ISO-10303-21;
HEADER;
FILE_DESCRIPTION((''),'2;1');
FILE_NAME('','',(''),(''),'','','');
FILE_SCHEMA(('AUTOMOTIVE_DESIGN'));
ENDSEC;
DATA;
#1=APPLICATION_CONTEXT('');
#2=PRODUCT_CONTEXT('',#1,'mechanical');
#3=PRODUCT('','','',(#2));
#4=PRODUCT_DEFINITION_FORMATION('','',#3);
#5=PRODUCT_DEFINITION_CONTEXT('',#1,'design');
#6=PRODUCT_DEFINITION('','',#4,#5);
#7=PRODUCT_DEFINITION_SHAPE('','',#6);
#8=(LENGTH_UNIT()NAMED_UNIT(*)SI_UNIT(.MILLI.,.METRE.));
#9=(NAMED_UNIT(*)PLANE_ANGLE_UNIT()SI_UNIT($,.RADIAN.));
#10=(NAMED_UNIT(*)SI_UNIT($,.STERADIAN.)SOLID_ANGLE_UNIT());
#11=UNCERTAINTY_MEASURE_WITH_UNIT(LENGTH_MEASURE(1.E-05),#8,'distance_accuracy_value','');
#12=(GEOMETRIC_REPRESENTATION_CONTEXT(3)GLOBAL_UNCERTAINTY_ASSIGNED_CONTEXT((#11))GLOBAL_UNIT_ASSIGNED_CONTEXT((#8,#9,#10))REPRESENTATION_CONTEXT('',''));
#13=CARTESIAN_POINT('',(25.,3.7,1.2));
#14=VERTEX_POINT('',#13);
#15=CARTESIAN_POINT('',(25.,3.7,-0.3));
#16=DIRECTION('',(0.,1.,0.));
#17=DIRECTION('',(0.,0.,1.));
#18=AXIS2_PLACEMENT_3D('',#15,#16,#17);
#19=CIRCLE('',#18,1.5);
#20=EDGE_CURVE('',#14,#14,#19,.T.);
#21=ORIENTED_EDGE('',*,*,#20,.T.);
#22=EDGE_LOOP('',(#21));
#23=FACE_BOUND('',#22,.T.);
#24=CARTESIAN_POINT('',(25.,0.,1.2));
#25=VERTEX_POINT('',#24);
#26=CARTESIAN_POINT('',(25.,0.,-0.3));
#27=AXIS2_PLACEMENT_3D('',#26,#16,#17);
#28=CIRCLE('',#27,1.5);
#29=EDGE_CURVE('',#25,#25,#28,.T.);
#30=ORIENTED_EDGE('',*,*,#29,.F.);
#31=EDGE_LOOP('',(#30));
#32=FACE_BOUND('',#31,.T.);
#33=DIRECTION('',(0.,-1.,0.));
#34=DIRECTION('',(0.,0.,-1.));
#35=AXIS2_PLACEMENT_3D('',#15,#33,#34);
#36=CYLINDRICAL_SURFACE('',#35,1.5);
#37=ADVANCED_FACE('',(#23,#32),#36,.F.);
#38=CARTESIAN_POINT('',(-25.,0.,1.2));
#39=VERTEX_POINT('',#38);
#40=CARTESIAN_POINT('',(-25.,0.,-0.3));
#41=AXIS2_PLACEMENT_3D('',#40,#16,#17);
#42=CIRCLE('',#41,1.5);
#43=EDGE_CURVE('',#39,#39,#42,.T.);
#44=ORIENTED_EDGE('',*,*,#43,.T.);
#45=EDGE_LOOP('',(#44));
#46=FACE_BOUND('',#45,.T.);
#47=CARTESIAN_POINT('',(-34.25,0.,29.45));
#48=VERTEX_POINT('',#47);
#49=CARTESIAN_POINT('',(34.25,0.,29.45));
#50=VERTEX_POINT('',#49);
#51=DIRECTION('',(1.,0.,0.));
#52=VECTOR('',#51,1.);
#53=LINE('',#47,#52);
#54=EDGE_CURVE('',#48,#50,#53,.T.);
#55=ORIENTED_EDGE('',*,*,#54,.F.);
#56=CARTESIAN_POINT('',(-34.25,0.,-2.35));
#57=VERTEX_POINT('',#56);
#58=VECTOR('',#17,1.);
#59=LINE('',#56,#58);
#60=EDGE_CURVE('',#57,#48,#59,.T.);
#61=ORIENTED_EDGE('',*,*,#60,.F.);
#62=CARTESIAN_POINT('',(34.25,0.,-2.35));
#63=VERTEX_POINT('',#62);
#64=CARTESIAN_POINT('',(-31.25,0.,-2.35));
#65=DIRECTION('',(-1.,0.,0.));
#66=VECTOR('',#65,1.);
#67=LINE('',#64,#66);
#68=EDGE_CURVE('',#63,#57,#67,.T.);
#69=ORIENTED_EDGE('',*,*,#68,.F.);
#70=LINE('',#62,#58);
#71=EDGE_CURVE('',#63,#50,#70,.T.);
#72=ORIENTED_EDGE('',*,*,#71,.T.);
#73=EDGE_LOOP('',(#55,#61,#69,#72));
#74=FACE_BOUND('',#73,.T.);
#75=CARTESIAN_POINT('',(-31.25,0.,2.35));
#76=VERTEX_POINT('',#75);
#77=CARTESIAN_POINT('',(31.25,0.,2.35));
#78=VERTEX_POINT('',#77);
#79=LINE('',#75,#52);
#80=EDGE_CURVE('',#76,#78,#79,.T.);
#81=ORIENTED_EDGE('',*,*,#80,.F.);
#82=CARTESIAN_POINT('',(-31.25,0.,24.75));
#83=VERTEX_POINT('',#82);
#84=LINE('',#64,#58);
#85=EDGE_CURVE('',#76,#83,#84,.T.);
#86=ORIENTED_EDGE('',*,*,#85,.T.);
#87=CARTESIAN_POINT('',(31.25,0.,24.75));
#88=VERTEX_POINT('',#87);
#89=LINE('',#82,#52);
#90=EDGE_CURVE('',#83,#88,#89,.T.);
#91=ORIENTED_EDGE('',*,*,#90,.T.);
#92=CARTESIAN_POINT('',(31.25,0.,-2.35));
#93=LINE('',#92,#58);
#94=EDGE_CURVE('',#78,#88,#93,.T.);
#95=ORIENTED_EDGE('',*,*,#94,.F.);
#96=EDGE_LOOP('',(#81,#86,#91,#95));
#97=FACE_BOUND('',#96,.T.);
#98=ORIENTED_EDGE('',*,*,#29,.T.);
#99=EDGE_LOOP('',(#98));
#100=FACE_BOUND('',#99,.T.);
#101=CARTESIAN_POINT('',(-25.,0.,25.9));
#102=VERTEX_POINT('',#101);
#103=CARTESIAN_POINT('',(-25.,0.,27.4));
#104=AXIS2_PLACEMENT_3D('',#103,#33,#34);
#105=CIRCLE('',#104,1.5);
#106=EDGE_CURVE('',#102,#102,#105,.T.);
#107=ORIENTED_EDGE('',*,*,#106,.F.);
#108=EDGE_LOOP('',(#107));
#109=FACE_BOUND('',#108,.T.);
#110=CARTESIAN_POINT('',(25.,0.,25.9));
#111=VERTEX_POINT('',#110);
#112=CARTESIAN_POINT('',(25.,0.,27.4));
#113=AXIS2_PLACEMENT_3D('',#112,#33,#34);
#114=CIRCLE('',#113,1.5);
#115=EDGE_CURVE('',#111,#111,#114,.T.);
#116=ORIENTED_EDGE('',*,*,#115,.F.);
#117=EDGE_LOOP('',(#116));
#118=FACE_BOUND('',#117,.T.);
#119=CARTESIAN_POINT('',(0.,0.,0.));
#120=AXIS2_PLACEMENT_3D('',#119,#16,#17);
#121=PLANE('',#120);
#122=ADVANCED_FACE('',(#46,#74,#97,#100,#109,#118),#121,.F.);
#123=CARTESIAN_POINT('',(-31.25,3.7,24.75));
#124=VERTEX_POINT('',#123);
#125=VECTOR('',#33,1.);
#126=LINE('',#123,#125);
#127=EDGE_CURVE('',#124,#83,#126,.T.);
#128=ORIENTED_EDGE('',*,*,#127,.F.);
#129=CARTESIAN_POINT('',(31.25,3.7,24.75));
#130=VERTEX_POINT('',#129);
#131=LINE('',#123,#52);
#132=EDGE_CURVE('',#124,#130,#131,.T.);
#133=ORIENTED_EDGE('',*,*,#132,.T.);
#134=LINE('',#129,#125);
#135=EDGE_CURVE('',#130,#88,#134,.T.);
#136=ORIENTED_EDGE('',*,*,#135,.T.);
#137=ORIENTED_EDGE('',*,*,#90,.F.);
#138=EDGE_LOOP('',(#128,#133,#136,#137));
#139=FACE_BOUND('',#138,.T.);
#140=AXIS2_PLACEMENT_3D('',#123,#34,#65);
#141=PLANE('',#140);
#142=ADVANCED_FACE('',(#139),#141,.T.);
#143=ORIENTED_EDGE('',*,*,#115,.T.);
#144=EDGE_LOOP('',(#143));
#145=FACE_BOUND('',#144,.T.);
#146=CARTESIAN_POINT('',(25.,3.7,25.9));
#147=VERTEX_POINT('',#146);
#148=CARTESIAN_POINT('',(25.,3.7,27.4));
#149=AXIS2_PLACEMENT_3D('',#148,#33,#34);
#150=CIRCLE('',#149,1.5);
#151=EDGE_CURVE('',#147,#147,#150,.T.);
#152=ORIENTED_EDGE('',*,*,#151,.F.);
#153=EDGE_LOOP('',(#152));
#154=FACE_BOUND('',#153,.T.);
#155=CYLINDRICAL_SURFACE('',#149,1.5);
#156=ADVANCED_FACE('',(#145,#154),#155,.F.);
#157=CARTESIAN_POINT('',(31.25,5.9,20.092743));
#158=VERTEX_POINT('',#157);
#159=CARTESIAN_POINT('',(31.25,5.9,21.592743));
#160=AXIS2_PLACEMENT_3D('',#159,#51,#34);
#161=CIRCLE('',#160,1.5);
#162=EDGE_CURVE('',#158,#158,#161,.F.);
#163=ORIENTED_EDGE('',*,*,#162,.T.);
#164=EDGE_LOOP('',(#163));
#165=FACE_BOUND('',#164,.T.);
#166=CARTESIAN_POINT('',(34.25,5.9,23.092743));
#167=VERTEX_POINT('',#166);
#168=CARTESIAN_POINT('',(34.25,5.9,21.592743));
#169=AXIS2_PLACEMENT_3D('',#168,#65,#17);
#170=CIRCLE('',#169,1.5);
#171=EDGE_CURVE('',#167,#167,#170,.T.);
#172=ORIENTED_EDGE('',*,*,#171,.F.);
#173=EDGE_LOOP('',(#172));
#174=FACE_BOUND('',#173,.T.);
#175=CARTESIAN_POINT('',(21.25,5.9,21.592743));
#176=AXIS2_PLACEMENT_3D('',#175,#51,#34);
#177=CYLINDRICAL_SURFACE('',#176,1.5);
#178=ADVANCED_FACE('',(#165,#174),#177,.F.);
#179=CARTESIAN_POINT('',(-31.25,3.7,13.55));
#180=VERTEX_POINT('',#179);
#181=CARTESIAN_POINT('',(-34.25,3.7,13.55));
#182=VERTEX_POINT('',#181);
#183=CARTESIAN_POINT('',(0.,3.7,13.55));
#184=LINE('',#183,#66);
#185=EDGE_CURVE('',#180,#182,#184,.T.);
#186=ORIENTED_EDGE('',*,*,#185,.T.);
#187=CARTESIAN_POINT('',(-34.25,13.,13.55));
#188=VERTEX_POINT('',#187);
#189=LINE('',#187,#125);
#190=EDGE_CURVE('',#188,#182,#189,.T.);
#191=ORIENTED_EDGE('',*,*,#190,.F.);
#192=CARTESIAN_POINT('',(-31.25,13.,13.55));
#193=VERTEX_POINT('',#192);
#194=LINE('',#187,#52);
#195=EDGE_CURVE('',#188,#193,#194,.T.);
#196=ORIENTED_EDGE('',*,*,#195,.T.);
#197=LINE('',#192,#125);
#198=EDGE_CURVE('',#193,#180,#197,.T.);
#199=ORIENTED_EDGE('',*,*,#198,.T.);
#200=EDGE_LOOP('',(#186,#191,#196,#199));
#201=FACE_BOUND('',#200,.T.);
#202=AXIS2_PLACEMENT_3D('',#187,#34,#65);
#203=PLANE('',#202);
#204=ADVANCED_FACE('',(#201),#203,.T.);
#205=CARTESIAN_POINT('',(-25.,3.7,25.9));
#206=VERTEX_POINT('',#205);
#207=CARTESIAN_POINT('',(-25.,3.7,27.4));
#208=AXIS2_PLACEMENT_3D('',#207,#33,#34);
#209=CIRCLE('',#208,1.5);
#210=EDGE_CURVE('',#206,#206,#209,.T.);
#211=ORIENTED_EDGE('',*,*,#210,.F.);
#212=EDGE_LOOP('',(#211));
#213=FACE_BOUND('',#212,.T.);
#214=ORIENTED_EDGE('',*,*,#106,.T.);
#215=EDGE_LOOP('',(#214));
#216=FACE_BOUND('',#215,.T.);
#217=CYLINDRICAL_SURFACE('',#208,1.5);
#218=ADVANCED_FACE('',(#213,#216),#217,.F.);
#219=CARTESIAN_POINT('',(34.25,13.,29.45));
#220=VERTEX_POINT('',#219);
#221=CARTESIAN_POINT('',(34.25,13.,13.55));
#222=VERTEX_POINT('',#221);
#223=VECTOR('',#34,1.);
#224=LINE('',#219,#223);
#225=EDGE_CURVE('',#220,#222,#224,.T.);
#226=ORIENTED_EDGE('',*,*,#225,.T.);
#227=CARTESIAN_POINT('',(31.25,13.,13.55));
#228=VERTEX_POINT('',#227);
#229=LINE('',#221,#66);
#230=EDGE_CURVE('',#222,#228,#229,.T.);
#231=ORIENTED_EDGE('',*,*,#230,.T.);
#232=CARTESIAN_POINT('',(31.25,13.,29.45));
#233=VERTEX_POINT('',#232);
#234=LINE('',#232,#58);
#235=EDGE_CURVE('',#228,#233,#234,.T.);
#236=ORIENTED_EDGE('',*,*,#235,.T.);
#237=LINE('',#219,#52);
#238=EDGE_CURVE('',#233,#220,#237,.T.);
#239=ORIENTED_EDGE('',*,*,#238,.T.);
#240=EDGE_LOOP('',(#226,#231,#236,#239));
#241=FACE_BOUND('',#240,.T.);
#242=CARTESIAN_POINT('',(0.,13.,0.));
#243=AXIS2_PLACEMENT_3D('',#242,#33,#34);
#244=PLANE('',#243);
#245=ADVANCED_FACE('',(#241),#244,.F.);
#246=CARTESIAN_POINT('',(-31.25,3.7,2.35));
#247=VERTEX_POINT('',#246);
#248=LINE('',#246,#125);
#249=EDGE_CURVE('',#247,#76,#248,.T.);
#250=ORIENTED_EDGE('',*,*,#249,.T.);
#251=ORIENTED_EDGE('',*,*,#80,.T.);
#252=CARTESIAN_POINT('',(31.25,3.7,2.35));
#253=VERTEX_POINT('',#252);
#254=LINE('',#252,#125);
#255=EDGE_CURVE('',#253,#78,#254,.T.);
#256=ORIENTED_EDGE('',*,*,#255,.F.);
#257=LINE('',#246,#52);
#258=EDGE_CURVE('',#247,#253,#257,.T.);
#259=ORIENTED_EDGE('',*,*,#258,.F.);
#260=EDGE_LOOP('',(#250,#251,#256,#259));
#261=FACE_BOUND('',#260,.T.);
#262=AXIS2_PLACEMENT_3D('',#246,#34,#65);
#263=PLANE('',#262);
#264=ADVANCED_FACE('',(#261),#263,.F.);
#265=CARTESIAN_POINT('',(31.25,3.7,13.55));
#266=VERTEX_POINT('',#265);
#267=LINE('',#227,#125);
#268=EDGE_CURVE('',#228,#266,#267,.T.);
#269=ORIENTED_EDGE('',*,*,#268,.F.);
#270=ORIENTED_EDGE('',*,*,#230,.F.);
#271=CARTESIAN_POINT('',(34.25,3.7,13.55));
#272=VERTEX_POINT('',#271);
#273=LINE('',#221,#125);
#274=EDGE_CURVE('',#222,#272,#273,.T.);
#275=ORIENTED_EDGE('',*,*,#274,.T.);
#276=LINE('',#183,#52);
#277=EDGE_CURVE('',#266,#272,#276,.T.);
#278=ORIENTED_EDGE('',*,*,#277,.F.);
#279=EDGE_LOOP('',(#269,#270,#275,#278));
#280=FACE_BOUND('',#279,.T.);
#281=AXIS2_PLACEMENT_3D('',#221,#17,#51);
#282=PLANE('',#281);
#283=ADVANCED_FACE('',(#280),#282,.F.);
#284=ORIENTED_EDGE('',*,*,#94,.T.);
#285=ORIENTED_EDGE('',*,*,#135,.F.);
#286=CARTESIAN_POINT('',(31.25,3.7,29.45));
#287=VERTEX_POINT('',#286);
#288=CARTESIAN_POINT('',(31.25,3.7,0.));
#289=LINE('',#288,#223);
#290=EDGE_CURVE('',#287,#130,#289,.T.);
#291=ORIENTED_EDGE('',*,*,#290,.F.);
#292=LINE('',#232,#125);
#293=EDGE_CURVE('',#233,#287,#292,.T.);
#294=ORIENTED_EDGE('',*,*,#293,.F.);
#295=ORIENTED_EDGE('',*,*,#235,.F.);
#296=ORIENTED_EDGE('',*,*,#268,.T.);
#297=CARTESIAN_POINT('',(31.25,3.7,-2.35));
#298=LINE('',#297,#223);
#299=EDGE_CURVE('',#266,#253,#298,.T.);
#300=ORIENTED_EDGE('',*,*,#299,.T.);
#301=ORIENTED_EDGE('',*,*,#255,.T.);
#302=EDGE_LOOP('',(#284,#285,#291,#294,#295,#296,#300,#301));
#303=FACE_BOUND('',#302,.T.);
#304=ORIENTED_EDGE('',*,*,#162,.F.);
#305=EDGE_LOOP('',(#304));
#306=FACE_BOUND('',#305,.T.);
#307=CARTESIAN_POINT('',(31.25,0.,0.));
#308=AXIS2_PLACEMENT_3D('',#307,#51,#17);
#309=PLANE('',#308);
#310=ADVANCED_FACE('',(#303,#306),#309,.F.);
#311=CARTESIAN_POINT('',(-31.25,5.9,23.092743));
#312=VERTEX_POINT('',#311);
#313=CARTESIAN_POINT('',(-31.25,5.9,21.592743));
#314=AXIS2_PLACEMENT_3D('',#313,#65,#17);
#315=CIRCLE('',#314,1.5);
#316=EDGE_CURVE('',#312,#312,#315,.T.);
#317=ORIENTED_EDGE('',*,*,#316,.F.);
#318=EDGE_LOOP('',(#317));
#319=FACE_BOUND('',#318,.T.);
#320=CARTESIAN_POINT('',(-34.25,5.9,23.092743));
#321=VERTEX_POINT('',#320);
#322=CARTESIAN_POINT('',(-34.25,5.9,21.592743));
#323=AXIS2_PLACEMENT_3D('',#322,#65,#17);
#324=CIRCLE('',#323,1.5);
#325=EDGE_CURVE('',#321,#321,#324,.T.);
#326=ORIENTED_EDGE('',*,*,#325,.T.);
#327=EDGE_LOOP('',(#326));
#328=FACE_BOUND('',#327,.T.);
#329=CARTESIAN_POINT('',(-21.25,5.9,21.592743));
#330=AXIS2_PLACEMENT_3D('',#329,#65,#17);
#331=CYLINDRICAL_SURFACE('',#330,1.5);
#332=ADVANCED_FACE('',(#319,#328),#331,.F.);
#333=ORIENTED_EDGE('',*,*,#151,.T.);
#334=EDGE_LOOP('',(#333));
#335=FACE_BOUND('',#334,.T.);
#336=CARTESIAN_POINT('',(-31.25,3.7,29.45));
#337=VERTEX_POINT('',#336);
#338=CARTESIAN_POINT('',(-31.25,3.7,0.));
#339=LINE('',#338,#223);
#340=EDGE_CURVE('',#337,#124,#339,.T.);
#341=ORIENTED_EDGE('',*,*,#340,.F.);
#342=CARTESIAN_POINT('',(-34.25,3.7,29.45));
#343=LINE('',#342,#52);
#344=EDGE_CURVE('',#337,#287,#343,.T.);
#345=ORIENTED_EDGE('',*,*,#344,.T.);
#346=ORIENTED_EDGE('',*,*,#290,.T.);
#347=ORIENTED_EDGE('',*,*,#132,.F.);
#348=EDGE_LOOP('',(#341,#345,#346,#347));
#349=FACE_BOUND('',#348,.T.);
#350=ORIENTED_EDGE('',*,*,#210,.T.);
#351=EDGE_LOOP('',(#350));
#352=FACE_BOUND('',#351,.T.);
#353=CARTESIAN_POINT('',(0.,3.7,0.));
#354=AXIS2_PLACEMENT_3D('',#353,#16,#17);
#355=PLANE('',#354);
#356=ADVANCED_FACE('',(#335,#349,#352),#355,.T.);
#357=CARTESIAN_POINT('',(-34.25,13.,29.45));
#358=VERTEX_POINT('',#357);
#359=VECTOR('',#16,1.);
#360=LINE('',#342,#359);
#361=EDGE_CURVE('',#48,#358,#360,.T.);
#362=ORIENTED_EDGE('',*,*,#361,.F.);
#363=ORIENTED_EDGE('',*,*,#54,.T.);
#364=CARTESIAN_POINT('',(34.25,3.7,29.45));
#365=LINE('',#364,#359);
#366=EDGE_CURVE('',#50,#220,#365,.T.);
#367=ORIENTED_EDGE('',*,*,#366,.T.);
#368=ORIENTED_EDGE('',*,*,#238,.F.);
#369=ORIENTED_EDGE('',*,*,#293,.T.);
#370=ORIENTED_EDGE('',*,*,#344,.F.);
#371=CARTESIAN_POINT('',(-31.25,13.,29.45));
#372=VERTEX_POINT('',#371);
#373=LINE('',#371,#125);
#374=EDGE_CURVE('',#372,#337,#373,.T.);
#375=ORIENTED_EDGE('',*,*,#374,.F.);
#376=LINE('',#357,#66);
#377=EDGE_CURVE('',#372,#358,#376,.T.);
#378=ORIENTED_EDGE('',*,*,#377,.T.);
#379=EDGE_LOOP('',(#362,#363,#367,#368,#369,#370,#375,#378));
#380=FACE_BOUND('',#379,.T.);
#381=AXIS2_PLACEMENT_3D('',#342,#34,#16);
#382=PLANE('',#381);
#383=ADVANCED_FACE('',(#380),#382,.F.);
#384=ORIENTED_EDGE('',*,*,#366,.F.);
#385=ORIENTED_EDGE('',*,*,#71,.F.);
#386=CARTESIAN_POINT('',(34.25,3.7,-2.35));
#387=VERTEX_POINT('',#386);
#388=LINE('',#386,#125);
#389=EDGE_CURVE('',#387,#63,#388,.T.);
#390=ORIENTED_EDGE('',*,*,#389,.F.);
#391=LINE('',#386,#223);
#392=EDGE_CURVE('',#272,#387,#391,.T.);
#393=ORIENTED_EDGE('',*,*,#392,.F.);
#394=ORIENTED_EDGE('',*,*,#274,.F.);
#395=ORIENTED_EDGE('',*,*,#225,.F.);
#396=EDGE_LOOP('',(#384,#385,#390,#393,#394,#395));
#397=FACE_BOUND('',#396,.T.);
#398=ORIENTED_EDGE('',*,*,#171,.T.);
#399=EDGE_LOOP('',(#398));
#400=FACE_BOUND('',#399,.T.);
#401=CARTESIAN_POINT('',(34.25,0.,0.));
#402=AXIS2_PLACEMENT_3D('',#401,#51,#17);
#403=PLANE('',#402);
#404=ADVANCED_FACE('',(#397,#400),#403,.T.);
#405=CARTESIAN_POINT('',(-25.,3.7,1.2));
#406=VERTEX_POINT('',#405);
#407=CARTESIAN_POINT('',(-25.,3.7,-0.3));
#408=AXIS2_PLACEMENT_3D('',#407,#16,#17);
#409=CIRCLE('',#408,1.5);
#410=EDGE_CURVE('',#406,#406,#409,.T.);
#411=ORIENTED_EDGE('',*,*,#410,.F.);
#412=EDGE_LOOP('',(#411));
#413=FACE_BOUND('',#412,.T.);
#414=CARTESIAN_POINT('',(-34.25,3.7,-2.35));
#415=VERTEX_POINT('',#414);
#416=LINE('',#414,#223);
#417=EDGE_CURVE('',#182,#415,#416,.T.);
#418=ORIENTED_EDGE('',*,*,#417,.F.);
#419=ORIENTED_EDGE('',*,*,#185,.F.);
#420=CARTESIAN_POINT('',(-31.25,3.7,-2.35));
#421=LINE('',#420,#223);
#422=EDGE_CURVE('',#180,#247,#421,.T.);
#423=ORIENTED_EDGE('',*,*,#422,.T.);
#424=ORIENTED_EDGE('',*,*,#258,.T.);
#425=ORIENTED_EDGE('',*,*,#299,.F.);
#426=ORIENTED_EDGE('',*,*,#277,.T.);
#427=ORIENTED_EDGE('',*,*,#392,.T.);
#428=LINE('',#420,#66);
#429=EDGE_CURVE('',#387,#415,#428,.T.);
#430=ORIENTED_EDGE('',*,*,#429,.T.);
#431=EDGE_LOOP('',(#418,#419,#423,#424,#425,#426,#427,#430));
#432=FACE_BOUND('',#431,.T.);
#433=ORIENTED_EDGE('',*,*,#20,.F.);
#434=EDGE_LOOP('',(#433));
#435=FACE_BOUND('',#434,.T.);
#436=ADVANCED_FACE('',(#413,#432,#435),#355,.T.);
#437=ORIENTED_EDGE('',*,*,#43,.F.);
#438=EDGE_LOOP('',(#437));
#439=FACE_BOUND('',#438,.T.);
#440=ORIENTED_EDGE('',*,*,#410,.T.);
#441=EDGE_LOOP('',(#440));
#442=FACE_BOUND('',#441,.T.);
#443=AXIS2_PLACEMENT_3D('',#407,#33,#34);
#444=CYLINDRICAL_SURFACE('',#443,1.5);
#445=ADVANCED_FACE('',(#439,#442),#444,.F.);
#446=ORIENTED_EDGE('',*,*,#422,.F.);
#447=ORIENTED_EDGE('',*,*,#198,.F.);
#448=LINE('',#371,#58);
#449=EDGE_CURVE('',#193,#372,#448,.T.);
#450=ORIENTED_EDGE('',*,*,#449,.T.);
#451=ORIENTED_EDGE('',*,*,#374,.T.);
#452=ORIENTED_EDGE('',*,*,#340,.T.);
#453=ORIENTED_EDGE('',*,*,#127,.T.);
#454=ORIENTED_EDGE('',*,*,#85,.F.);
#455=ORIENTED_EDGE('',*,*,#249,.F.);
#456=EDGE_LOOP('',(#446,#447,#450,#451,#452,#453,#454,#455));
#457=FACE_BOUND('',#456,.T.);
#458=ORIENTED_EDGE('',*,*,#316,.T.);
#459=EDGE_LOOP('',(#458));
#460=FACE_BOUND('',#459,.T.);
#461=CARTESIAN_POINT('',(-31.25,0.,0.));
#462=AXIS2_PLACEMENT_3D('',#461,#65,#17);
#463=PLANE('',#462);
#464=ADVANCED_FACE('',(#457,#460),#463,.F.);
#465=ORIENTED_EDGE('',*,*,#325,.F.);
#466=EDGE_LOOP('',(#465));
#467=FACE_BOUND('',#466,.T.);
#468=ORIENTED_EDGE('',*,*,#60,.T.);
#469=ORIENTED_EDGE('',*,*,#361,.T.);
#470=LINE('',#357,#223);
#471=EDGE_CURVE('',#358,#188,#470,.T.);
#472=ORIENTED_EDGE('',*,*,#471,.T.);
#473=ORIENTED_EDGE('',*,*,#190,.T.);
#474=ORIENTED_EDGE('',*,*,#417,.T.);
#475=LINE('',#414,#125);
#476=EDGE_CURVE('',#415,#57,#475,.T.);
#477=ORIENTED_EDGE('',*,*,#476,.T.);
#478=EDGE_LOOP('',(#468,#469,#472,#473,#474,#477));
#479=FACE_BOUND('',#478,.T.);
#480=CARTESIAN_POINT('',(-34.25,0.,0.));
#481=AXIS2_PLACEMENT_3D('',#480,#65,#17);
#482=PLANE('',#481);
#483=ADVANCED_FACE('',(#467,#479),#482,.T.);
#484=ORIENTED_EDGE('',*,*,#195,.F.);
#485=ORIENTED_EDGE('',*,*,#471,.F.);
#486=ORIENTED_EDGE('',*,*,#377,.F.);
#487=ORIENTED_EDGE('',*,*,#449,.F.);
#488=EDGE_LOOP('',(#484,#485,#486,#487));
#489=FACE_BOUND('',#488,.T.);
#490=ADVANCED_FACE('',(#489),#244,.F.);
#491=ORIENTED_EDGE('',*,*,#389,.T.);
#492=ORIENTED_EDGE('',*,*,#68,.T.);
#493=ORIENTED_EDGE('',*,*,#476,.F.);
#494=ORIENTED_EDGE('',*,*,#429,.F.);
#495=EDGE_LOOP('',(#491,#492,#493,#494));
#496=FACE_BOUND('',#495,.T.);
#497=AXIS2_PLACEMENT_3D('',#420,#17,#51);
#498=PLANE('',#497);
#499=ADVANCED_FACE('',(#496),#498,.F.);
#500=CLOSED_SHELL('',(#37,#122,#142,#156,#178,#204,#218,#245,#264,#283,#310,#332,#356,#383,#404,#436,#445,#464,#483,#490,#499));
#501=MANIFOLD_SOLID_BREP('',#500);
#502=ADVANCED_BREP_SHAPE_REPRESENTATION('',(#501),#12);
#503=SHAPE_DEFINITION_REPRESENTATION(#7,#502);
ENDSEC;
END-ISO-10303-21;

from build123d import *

# Parameters (mm, degrees)
SKETCH_1_W          = 62.5
SKETCH_1_H          = 4.7
SKETCH_1_R          = 1.5
EXTRUDE_1_DEPTH     = 3.7
SKETCH_2_W          = 31.8
SKETCH_2_H          = 3.7
EXTRUDE_2_DEPTH     = 3
SKETCH_3_W          = 3
SKETCH_3_H          = 15.9
EXTRUDE_3_DEPTH     = 13
SKETCH_4_R          = 1.5
CUT_EXTRUDE_1_DEPTH = 13


with BuildPart() as part:
    # 草图1 → 凸台-拉伸1 (new body)
    with BuildSketch(Plane(origin=(0, 0, 0), x_dir=(1, 0, 0), z_dir=(0, 1, 0))):
        Rectangle(SKETCH_1_W, SKETCH_1_H)
        with Locations((25, 0.3)):
            Circle(SKETCH_1_R, mode=Mode.SUBTRACT)
        with Locations((-25, 0.3)):
            Circle(SKETCH_1_R, mode=Mode.SUBTRACT)
    extrude_1 = extrude(amount=EXTRUDE_1_DEPTH)

    # 草图2 → 凸台-拉伸2 (add)
    with BuildSketch(Plane.ZY.offset(31.25)):
        with Locations((13.55, 1.85)):
            Rectangle(SKETCH_2_W, SKETCH_2_H)
    extrude_2 = extrude(amount=EXTRUDE_2_DEPTH)

    # 镜向1: 凸台-拉伸2 across plane
    add(extrude_2.mirror(Plane(origin=(0, 0, 0), x_dir=(0, 0, 1), z_dir=(1, 0, 0))))

    # 镜向2: 凸台-拉伸1 across plane
    add(extrude_1.mirror(Plane.XY.offset(13.55)))

    # 草图3 → 凸台-拉伸3 (add)
    with BuildSketch(Plane.XZ):
        with Locations((-32.75, 21.5)):
            Rectangle(SKETCH_3_W, SKETCH_3_H)
    extrude_3 = extrude(amount=-EXTRUDE_3_DEPTH)

    # 草图4 → 切除-拉伸1 (cut)
    with BuildSketch(Plane.ZY.offset(34.25)):
        with Locations((21.592743177, 5.9)):
            Circle(SKETCH_4_R)
    cut_extrude_1 = extrude(amount=-CUT_EXTRUDE_1_DEPTH, mode=Mode.SUBTRACT)

    # 镜向3: 凸台-拉伸3, 切除-拉伸1 across plane
    add(extrude_3.mirror(Plane(origin=(0, 0, 0), x_dir=(0, 0, 1), z_dir=(1, 0, 0))))
    add(cut_extrude_1.mirror(Plane(origin=(0, 0, 0), x_dir=(0, 0, 1), z_dir=(1, 0, 0))), mode=Mode.SUBTRACT)


solid = part.part
